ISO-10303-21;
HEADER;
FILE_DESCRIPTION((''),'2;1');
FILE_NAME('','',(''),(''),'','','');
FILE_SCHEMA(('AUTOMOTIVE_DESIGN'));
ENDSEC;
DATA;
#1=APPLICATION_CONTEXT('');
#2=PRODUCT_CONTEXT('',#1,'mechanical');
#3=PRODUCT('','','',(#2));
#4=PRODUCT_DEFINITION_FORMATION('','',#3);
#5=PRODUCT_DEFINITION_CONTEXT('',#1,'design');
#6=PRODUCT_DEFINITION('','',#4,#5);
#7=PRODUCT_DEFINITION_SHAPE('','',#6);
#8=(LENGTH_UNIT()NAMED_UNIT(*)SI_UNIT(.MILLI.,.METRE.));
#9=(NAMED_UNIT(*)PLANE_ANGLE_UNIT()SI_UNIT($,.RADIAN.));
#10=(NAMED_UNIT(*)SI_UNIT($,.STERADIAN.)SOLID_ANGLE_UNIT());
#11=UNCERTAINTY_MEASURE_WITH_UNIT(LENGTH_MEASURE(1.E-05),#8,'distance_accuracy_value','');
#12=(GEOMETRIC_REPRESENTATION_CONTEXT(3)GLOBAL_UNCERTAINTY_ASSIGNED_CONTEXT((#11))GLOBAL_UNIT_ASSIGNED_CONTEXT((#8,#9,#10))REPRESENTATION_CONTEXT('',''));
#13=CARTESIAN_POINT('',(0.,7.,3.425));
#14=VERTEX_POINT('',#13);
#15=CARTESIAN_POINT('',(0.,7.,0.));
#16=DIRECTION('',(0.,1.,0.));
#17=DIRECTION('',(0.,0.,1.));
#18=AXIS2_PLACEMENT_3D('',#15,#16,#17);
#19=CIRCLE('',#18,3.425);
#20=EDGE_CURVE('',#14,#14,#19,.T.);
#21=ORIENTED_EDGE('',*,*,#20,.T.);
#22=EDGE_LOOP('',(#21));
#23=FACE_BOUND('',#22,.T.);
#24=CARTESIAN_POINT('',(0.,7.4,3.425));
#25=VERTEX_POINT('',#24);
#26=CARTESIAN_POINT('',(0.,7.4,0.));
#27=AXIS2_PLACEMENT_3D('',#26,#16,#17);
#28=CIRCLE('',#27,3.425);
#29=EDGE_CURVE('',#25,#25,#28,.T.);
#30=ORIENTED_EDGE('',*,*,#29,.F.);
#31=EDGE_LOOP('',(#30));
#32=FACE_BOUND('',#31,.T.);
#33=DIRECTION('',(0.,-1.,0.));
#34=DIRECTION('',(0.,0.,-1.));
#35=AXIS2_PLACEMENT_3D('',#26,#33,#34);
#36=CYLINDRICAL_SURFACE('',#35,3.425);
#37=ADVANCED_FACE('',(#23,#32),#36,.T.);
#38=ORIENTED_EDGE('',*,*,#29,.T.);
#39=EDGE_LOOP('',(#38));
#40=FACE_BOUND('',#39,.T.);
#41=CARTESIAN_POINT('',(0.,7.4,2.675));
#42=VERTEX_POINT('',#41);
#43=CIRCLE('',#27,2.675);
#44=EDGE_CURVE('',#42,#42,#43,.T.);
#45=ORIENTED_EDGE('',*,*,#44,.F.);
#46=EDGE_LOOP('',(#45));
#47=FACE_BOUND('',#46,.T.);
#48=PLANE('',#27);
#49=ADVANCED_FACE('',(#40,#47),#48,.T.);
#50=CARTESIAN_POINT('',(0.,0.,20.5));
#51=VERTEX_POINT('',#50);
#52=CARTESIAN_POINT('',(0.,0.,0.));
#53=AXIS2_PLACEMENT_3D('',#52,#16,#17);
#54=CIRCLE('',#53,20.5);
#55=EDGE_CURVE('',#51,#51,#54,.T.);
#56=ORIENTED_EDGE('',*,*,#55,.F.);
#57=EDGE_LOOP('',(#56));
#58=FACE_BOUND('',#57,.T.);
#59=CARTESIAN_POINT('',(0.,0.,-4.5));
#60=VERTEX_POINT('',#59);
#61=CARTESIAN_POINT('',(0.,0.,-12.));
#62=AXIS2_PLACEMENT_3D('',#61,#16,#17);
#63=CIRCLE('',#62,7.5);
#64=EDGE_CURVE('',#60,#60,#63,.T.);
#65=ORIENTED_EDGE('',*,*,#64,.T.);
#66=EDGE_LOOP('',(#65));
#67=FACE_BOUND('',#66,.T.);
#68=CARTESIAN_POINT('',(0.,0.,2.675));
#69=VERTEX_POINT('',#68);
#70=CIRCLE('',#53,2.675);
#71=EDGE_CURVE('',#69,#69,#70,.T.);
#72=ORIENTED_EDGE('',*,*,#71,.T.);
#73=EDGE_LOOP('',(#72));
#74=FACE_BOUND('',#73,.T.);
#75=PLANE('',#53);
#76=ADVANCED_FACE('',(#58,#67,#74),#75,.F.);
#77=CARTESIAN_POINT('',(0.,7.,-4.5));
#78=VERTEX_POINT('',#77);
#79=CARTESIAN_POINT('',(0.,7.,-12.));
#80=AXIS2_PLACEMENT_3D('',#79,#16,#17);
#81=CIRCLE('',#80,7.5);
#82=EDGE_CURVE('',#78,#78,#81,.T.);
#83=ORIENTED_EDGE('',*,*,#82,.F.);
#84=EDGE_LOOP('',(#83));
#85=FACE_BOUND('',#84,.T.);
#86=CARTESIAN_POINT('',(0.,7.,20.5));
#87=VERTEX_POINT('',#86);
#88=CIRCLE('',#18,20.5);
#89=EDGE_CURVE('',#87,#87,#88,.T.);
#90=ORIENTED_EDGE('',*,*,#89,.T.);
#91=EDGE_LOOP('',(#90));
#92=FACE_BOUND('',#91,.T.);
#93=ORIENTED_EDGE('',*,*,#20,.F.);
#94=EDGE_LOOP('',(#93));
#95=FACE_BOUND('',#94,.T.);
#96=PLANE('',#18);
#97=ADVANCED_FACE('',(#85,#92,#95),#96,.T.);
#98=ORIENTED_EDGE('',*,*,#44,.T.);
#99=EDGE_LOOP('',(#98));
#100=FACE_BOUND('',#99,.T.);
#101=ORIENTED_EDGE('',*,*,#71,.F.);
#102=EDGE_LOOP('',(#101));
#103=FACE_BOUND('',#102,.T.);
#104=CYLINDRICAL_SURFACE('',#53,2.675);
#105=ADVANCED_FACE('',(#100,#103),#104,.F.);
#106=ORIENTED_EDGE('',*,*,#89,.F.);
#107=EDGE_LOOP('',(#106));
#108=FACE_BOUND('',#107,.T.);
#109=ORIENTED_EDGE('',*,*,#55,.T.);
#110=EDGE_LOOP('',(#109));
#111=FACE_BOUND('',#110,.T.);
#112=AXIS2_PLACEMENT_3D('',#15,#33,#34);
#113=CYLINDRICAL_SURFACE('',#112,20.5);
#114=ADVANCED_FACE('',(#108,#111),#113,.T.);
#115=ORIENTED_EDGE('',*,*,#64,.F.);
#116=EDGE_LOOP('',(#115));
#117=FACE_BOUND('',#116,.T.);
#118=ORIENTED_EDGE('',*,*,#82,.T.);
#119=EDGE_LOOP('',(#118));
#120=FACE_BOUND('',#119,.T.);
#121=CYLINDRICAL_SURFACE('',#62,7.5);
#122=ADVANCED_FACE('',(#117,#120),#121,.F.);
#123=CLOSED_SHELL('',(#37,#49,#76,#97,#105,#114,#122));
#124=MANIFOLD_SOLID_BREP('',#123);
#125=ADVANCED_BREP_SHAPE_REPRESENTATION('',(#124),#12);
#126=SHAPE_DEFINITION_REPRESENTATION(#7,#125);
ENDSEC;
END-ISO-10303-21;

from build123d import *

# Parameters (mm, degrees)
SKETCH1_R           = 20.5
BOSS_EXTRUDE1_DEPTH = 7
SKETCH2_R           = 2.675
CUT_EXTRUDE1_DEPTH  = 7
BOSS_EXTRUDE2_START = 0.4
SKETCH3_R           = 3.425
SKETCH3_R_2         = 2.675
BOSS_EXTRUDE2_DEPTH = 0.4
SKETCH5_R           = 7.5
CUT_EXTRUDE3_DEPTH  = 7


with BuildPart() as part:
    # Sketch1 → Boss-Extrude1 (new body)
    with BuildSketch(Plane(origin=(0, 0, 0), x_dir=(1, 0, 0), z_dir=(0, 1, 0))):
        with Locations(Location((0, 0, 0), (0, 0, 270))):
            Circle(SKETCH1_R)
    extrude(amount=BOSS_EXTRUDE1_DEPTH)

    # Sketch2 → Cut-Extrude1 (cut)
    with BuildSketch(Plane(origin=(0, 7, 0), x_dir=(1, 0, 0), z_dir=(0, 1, 0))):
        with Locations(Location((0, 0, 0), (0, 0, 270))):
            Circle(SKETCH2_R)
    extrude(amount=-CUT_EXTRUDE1_DEPTH, mode=Mode.SUBTRACT)

    # Sketch3 → Boss-Extrude2 (add)
    with BuildSketch(Plane(origin=(0, 7, 0), x_dir=(1, 0, 0), z_dir=(0, 1, 0)).offset(BOSS_EXTRUDE2_START)):
        with Locations(Location((0, 0, 0), (0, 0, 270))):
            Circle(SKETCH3_R)
        with Locations(Location((0, 0, 0), (0, 0, 270))):
            Circle(SKETCH3_R_2, mode=Mode.SUBTRACT)
    extrude(amount=-BOSS_EXTRUDE2_DEPTH)

    # Sketch5 → Cut-Extrude3 (cut)
    with BuildSketch(Plane(origin=(0, 7, 0), x_dir=(1, 0, 0), z_dir=(0, 1, 0))):
        with Locations(Location((0, 12, 0), (0, 0, 270))):
            Circle(SKETCH5_R)
    extrude(amount=-CUT_EXTRUDE3_DEPTH, mode=Mode.SUBTRACT)


solid = part.part
